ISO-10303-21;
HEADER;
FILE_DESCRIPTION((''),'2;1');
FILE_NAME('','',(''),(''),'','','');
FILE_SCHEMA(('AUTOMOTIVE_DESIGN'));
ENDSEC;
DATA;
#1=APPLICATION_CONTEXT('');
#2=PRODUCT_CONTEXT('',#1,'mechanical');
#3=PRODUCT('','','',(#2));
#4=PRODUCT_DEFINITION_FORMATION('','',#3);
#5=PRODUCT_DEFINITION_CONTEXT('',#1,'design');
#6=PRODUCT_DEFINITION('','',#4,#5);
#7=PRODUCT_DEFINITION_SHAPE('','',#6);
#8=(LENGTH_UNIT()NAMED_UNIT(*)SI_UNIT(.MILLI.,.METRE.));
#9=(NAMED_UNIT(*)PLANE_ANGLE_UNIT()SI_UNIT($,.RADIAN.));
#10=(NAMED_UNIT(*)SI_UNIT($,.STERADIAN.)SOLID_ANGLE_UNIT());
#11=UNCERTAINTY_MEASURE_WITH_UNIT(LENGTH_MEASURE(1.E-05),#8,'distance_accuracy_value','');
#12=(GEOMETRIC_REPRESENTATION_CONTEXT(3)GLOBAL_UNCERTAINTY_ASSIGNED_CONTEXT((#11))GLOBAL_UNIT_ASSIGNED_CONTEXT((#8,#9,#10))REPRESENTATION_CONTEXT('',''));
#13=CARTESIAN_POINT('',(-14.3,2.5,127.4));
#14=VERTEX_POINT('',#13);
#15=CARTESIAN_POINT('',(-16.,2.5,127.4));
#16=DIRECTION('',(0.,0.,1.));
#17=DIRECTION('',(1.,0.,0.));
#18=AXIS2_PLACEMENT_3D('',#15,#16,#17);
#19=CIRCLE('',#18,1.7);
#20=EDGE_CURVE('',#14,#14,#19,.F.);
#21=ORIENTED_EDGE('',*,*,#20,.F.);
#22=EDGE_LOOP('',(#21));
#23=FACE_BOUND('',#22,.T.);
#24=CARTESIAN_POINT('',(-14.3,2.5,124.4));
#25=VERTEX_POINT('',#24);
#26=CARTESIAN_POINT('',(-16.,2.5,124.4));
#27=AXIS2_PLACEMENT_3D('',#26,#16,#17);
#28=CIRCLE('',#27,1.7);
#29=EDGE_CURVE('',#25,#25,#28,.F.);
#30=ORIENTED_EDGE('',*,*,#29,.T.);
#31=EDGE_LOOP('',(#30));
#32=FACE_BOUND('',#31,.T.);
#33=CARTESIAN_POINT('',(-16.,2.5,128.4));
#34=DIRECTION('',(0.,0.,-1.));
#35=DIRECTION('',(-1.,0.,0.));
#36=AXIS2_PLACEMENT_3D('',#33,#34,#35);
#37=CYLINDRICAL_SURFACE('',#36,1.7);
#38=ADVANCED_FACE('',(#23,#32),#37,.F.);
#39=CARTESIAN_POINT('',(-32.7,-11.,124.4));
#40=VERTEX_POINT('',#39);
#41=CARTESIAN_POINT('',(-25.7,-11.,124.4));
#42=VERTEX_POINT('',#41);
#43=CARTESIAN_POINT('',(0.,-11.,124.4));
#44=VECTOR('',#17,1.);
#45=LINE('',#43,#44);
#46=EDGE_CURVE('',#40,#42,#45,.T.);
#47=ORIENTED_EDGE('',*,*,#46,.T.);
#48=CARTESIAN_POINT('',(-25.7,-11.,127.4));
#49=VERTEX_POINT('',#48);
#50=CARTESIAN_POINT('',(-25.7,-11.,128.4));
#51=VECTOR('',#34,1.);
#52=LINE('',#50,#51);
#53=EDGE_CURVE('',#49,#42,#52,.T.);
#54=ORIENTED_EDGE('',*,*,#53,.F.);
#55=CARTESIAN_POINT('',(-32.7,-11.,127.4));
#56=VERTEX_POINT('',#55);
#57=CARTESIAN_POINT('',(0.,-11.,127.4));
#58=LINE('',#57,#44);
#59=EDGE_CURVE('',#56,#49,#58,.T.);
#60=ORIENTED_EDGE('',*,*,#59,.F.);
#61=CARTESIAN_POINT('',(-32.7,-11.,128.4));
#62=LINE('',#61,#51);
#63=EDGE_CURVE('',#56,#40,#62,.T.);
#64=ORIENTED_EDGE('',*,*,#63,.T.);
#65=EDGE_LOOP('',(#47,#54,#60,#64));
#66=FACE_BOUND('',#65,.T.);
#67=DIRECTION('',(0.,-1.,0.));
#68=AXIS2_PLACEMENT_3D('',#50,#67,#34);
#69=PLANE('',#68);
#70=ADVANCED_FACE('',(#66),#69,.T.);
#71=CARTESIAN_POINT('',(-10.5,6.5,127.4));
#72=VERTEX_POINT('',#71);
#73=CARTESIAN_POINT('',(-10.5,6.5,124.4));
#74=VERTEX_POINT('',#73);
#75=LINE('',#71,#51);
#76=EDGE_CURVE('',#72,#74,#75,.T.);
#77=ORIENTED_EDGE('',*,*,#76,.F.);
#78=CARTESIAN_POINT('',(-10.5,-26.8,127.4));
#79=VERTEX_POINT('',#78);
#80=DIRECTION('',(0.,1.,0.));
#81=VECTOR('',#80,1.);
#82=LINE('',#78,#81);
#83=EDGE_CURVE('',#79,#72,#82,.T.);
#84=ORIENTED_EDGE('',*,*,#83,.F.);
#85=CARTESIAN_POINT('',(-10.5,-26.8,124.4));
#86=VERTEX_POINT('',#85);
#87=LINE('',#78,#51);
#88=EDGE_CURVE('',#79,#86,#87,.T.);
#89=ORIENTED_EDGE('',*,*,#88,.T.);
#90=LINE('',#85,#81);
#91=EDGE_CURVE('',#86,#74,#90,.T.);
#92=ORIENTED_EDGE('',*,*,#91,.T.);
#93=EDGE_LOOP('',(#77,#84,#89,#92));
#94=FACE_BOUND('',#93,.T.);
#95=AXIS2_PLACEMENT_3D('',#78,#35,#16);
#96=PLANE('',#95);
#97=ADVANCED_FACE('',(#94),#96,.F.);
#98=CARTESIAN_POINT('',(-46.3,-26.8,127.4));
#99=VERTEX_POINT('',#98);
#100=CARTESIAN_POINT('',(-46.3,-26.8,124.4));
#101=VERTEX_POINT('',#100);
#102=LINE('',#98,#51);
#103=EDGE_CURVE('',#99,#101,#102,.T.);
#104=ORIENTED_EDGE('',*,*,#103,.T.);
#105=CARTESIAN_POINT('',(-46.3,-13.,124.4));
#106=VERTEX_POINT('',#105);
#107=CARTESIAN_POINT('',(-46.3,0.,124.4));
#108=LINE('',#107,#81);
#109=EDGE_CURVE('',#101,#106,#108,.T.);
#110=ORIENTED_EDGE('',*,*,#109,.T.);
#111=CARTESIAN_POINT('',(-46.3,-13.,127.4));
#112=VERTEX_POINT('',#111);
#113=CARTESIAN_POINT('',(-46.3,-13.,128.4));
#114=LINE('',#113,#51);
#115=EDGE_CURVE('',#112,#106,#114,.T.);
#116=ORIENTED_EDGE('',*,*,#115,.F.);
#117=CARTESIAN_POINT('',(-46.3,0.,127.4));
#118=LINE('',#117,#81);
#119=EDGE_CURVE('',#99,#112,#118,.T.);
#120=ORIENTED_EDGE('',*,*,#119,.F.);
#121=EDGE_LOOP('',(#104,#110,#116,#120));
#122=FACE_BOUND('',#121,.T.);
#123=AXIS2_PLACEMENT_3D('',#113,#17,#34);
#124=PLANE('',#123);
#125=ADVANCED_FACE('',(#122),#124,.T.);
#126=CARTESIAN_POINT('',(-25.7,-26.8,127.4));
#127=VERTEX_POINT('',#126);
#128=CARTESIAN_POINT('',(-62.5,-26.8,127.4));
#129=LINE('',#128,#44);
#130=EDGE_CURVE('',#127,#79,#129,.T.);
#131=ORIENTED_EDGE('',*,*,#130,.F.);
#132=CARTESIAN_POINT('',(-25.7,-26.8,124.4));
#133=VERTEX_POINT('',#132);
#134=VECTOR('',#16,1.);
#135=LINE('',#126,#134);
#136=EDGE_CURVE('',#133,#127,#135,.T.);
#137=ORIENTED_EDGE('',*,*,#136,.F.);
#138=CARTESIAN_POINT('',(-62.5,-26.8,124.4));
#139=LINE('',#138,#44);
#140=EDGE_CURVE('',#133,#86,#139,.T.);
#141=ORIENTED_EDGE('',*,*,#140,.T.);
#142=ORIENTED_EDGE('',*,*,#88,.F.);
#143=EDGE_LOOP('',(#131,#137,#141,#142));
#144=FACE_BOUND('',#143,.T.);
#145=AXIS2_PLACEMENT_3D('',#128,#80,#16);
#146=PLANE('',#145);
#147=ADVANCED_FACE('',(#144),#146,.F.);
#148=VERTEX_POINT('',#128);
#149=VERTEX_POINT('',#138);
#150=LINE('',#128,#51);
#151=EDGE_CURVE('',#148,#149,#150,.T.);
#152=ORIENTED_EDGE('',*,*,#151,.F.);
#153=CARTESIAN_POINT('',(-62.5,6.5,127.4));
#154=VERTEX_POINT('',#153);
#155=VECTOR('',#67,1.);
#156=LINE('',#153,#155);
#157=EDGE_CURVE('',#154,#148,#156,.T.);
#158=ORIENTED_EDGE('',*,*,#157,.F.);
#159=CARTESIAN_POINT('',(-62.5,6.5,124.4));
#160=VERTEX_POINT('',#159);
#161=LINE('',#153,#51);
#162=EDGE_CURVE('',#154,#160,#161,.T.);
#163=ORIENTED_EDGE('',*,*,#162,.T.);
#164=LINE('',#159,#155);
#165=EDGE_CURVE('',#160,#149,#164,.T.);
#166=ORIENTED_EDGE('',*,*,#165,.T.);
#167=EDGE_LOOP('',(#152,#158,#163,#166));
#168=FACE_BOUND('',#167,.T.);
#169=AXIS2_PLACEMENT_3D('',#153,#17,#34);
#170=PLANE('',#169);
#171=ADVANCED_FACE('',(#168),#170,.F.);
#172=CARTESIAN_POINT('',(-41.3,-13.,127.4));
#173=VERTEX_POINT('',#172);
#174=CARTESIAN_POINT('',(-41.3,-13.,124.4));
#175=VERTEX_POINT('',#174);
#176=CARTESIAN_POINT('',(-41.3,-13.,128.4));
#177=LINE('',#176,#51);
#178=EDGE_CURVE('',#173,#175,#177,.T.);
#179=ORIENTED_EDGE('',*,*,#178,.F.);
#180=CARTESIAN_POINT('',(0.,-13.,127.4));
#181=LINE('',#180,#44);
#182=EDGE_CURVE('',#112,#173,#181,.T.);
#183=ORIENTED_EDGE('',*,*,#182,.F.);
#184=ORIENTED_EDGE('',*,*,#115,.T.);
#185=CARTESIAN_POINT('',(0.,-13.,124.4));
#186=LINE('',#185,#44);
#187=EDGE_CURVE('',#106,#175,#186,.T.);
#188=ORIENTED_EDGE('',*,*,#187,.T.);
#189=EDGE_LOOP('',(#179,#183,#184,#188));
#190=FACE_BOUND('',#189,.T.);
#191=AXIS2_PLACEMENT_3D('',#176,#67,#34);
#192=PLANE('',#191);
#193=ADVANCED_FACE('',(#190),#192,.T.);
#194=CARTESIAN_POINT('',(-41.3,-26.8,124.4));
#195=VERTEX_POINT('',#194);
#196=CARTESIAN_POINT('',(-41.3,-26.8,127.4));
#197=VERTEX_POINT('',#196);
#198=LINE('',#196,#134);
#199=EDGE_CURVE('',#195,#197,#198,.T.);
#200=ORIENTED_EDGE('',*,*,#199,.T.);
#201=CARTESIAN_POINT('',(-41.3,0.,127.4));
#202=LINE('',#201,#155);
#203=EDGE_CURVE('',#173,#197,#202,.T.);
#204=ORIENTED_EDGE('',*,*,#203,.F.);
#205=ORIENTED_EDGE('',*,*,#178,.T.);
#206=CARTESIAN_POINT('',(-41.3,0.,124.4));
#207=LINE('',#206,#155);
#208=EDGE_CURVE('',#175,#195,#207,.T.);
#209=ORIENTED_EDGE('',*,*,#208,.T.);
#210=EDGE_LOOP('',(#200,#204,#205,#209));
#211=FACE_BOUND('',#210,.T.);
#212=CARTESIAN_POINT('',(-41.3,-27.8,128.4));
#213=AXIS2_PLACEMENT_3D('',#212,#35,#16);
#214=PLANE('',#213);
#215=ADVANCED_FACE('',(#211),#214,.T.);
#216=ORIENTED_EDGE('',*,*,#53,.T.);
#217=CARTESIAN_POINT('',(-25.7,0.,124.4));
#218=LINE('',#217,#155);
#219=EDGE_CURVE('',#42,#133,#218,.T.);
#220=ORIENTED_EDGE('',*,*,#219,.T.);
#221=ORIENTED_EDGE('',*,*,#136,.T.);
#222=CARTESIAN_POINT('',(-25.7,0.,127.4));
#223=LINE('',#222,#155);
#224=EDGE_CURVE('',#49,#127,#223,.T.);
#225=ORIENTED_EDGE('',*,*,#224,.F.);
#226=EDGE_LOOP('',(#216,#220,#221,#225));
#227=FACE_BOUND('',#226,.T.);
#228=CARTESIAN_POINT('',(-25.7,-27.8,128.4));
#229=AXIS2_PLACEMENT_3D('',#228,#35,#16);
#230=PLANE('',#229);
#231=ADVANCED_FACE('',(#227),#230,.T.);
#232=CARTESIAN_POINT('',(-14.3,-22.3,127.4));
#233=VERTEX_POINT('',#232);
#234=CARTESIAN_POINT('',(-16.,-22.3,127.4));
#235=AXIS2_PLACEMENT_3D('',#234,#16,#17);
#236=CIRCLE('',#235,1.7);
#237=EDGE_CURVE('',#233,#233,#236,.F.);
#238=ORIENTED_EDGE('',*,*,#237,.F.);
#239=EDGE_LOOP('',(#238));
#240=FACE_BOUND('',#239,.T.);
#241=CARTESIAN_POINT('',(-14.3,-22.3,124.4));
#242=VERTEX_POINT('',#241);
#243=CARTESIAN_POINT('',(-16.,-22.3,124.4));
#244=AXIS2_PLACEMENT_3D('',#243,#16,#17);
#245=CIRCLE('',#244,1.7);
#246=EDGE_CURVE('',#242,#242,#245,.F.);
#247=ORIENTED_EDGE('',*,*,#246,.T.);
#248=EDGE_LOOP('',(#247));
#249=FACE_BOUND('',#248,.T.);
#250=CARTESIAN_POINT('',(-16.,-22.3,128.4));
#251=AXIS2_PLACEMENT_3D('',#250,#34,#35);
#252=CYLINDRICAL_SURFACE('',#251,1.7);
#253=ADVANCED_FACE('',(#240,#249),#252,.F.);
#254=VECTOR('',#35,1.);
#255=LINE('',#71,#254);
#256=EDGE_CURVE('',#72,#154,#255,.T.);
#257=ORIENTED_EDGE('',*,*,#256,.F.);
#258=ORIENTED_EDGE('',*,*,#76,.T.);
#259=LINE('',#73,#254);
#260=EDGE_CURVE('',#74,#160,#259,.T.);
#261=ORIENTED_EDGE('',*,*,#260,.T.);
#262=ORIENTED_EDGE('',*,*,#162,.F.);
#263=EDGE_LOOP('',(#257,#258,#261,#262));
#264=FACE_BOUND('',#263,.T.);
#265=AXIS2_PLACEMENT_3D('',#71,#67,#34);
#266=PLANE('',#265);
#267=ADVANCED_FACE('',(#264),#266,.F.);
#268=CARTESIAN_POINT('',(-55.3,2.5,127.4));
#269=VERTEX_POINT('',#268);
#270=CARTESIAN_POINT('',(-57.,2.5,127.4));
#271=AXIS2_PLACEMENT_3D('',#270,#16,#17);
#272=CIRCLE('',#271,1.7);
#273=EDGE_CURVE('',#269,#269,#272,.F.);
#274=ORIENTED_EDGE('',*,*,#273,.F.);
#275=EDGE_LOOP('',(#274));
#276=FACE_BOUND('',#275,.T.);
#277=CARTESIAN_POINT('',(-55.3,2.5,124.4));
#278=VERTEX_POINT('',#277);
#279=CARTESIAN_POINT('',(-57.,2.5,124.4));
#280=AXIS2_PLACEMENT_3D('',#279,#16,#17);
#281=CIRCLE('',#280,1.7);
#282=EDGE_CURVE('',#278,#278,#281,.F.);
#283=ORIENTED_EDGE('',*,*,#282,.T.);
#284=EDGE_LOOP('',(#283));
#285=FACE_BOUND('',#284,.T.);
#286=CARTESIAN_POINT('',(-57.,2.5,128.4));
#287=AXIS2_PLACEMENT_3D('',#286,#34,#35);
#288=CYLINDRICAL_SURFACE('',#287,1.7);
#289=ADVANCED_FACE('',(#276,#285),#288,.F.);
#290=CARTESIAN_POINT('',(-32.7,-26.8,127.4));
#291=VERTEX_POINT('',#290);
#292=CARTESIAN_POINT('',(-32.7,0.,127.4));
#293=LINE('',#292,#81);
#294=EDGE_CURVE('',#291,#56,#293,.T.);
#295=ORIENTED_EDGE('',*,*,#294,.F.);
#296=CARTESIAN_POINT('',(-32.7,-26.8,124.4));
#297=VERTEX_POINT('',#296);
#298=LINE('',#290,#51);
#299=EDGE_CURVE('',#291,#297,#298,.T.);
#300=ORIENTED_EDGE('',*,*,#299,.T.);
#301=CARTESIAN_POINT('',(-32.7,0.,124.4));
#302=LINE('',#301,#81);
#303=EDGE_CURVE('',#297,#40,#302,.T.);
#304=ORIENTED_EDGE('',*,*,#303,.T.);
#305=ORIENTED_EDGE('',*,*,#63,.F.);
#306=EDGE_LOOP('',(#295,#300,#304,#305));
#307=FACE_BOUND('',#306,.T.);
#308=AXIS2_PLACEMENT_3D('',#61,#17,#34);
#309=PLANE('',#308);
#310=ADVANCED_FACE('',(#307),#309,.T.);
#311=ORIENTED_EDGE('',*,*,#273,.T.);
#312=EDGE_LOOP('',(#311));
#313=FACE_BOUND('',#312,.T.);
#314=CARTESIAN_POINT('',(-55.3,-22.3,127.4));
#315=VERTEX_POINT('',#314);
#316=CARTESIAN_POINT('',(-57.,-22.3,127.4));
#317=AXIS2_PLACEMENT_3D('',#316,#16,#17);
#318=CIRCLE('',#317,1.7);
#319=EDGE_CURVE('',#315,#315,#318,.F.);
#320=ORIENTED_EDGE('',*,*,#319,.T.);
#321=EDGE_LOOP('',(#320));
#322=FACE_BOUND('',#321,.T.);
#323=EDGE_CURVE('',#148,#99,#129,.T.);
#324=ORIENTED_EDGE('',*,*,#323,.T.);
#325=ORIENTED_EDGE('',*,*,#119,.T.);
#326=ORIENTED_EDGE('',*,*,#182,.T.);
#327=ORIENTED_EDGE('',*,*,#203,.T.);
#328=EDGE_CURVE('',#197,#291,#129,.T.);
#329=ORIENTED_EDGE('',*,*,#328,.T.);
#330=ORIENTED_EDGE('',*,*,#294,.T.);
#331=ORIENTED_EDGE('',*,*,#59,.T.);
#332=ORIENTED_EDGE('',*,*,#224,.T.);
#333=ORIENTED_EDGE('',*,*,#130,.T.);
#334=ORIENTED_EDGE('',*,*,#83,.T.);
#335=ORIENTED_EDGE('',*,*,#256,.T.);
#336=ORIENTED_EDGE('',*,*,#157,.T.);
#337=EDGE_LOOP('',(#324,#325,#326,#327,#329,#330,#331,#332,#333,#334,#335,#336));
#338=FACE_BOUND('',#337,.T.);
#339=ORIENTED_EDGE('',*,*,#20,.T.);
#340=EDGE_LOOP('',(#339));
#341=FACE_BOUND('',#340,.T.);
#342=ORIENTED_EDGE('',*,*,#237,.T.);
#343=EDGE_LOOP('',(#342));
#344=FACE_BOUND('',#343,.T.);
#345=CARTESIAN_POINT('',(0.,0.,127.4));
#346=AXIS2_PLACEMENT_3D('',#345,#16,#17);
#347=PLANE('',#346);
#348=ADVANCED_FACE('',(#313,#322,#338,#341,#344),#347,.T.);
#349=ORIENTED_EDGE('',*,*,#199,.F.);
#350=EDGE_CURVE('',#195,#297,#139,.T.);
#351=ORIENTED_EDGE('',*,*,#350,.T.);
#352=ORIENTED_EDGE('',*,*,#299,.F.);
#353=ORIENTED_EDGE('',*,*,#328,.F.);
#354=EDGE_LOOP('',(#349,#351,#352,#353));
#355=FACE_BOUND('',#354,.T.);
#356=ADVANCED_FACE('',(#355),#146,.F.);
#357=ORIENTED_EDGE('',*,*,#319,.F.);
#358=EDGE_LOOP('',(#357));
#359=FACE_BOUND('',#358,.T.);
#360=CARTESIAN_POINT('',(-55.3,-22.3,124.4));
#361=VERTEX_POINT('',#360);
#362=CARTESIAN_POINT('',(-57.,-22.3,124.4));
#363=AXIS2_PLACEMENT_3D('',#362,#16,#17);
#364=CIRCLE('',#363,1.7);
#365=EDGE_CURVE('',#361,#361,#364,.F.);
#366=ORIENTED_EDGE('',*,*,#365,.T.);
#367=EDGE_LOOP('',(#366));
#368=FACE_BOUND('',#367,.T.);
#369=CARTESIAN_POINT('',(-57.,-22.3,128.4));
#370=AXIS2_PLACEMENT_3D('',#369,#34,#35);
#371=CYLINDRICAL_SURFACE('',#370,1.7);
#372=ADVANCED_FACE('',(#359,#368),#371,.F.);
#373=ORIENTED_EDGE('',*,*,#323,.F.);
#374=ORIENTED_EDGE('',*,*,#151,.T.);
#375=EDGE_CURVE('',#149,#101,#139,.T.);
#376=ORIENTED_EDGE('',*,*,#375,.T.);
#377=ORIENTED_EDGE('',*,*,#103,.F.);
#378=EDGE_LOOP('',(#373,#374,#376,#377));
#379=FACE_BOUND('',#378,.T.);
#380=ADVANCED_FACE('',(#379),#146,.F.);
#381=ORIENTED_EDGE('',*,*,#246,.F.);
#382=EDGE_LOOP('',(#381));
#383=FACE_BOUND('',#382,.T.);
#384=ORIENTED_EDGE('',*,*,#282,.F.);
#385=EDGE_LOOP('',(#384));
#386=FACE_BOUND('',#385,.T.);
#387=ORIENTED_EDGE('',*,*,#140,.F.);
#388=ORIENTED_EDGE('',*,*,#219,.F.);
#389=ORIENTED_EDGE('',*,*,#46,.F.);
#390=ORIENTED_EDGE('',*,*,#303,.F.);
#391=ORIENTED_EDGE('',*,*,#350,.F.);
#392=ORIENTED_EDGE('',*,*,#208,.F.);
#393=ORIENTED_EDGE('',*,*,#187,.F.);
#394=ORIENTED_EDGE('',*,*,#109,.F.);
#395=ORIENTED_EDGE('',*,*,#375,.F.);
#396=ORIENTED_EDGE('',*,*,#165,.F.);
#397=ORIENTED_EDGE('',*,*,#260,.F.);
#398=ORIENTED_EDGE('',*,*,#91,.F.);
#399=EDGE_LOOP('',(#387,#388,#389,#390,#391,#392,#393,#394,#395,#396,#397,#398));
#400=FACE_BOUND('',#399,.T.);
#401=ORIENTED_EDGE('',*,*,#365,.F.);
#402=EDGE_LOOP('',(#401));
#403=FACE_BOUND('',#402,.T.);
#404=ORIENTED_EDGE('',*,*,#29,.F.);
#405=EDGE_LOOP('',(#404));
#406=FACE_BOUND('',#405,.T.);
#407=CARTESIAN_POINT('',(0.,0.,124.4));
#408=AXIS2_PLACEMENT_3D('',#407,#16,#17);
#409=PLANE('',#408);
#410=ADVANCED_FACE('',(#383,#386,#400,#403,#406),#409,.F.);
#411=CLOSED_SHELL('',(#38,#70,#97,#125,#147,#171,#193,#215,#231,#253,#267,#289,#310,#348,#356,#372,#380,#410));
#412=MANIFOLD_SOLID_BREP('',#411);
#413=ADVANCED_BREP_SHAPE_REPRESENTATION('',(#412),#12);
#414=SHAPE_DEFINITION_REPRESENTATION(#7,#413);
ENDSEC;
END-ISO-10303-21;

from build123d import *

# Parameters (mm, degrees)
SKETCH1_W           = 52
SKETCH1_H           = 33.3
COVER_PLATE_DEPTH   = 3
SKETCH2_W           = 5
SKETCH2_H           = 14.8
SKETCH2_W_2         = 7
SKETCH2_H_2         = 16.8
CABLE_NOTCHES_DEPTH = 5
SKETCH3_R           = 1.7
SCREW_HOLES_DEPTH   = 5


with BuildPart() as part:
    # Sketch1 → Cover Plate (new body)
    with BuildSketch(Plane.XY.offset(124.4)):
        with Locations((-36.5, -10.15)):
            Rectangle(SKETCH1_W, SKETCH1_H)
    extrude(amount=COVER_PLATE_DEPTH)

    # Sketch2 → Cable Notches (cut)
    with BuildSketch(Plane.XY.offset(123.4)):
        with Locations((-43.8, -20.4)):
            Rectangle(SKETCH2_W, SKETCH2_H)
        with Locations((-29.2, -19.4)):
            Rectangle(SKETCH2_W_2, SKETCH2_H_2)
    extrude(amount=CABLE_NOTCHES_DEPTH, mode=Mode.SUBTRACT)

    # Sketch3 → Screw Holes (cut)
    with BuildSketch(Plane.XY.offset(123.4)):
        with Locations((-57, -22.3)):
            Circle(SKETCH3_R)
        with Locations((-57, 2.5)):
            Circle(SKETCH3_R)
        with Locations((-16, -22.3)):
            Circle(SKETCH3_R)
        with Locations((-16, 2.5)):
            Circle(SKETCH3_R)
    extrude(amount=SCREW_HOLES_DEPTH, mode=Mode.SUBTRACT)


solid = part.part
